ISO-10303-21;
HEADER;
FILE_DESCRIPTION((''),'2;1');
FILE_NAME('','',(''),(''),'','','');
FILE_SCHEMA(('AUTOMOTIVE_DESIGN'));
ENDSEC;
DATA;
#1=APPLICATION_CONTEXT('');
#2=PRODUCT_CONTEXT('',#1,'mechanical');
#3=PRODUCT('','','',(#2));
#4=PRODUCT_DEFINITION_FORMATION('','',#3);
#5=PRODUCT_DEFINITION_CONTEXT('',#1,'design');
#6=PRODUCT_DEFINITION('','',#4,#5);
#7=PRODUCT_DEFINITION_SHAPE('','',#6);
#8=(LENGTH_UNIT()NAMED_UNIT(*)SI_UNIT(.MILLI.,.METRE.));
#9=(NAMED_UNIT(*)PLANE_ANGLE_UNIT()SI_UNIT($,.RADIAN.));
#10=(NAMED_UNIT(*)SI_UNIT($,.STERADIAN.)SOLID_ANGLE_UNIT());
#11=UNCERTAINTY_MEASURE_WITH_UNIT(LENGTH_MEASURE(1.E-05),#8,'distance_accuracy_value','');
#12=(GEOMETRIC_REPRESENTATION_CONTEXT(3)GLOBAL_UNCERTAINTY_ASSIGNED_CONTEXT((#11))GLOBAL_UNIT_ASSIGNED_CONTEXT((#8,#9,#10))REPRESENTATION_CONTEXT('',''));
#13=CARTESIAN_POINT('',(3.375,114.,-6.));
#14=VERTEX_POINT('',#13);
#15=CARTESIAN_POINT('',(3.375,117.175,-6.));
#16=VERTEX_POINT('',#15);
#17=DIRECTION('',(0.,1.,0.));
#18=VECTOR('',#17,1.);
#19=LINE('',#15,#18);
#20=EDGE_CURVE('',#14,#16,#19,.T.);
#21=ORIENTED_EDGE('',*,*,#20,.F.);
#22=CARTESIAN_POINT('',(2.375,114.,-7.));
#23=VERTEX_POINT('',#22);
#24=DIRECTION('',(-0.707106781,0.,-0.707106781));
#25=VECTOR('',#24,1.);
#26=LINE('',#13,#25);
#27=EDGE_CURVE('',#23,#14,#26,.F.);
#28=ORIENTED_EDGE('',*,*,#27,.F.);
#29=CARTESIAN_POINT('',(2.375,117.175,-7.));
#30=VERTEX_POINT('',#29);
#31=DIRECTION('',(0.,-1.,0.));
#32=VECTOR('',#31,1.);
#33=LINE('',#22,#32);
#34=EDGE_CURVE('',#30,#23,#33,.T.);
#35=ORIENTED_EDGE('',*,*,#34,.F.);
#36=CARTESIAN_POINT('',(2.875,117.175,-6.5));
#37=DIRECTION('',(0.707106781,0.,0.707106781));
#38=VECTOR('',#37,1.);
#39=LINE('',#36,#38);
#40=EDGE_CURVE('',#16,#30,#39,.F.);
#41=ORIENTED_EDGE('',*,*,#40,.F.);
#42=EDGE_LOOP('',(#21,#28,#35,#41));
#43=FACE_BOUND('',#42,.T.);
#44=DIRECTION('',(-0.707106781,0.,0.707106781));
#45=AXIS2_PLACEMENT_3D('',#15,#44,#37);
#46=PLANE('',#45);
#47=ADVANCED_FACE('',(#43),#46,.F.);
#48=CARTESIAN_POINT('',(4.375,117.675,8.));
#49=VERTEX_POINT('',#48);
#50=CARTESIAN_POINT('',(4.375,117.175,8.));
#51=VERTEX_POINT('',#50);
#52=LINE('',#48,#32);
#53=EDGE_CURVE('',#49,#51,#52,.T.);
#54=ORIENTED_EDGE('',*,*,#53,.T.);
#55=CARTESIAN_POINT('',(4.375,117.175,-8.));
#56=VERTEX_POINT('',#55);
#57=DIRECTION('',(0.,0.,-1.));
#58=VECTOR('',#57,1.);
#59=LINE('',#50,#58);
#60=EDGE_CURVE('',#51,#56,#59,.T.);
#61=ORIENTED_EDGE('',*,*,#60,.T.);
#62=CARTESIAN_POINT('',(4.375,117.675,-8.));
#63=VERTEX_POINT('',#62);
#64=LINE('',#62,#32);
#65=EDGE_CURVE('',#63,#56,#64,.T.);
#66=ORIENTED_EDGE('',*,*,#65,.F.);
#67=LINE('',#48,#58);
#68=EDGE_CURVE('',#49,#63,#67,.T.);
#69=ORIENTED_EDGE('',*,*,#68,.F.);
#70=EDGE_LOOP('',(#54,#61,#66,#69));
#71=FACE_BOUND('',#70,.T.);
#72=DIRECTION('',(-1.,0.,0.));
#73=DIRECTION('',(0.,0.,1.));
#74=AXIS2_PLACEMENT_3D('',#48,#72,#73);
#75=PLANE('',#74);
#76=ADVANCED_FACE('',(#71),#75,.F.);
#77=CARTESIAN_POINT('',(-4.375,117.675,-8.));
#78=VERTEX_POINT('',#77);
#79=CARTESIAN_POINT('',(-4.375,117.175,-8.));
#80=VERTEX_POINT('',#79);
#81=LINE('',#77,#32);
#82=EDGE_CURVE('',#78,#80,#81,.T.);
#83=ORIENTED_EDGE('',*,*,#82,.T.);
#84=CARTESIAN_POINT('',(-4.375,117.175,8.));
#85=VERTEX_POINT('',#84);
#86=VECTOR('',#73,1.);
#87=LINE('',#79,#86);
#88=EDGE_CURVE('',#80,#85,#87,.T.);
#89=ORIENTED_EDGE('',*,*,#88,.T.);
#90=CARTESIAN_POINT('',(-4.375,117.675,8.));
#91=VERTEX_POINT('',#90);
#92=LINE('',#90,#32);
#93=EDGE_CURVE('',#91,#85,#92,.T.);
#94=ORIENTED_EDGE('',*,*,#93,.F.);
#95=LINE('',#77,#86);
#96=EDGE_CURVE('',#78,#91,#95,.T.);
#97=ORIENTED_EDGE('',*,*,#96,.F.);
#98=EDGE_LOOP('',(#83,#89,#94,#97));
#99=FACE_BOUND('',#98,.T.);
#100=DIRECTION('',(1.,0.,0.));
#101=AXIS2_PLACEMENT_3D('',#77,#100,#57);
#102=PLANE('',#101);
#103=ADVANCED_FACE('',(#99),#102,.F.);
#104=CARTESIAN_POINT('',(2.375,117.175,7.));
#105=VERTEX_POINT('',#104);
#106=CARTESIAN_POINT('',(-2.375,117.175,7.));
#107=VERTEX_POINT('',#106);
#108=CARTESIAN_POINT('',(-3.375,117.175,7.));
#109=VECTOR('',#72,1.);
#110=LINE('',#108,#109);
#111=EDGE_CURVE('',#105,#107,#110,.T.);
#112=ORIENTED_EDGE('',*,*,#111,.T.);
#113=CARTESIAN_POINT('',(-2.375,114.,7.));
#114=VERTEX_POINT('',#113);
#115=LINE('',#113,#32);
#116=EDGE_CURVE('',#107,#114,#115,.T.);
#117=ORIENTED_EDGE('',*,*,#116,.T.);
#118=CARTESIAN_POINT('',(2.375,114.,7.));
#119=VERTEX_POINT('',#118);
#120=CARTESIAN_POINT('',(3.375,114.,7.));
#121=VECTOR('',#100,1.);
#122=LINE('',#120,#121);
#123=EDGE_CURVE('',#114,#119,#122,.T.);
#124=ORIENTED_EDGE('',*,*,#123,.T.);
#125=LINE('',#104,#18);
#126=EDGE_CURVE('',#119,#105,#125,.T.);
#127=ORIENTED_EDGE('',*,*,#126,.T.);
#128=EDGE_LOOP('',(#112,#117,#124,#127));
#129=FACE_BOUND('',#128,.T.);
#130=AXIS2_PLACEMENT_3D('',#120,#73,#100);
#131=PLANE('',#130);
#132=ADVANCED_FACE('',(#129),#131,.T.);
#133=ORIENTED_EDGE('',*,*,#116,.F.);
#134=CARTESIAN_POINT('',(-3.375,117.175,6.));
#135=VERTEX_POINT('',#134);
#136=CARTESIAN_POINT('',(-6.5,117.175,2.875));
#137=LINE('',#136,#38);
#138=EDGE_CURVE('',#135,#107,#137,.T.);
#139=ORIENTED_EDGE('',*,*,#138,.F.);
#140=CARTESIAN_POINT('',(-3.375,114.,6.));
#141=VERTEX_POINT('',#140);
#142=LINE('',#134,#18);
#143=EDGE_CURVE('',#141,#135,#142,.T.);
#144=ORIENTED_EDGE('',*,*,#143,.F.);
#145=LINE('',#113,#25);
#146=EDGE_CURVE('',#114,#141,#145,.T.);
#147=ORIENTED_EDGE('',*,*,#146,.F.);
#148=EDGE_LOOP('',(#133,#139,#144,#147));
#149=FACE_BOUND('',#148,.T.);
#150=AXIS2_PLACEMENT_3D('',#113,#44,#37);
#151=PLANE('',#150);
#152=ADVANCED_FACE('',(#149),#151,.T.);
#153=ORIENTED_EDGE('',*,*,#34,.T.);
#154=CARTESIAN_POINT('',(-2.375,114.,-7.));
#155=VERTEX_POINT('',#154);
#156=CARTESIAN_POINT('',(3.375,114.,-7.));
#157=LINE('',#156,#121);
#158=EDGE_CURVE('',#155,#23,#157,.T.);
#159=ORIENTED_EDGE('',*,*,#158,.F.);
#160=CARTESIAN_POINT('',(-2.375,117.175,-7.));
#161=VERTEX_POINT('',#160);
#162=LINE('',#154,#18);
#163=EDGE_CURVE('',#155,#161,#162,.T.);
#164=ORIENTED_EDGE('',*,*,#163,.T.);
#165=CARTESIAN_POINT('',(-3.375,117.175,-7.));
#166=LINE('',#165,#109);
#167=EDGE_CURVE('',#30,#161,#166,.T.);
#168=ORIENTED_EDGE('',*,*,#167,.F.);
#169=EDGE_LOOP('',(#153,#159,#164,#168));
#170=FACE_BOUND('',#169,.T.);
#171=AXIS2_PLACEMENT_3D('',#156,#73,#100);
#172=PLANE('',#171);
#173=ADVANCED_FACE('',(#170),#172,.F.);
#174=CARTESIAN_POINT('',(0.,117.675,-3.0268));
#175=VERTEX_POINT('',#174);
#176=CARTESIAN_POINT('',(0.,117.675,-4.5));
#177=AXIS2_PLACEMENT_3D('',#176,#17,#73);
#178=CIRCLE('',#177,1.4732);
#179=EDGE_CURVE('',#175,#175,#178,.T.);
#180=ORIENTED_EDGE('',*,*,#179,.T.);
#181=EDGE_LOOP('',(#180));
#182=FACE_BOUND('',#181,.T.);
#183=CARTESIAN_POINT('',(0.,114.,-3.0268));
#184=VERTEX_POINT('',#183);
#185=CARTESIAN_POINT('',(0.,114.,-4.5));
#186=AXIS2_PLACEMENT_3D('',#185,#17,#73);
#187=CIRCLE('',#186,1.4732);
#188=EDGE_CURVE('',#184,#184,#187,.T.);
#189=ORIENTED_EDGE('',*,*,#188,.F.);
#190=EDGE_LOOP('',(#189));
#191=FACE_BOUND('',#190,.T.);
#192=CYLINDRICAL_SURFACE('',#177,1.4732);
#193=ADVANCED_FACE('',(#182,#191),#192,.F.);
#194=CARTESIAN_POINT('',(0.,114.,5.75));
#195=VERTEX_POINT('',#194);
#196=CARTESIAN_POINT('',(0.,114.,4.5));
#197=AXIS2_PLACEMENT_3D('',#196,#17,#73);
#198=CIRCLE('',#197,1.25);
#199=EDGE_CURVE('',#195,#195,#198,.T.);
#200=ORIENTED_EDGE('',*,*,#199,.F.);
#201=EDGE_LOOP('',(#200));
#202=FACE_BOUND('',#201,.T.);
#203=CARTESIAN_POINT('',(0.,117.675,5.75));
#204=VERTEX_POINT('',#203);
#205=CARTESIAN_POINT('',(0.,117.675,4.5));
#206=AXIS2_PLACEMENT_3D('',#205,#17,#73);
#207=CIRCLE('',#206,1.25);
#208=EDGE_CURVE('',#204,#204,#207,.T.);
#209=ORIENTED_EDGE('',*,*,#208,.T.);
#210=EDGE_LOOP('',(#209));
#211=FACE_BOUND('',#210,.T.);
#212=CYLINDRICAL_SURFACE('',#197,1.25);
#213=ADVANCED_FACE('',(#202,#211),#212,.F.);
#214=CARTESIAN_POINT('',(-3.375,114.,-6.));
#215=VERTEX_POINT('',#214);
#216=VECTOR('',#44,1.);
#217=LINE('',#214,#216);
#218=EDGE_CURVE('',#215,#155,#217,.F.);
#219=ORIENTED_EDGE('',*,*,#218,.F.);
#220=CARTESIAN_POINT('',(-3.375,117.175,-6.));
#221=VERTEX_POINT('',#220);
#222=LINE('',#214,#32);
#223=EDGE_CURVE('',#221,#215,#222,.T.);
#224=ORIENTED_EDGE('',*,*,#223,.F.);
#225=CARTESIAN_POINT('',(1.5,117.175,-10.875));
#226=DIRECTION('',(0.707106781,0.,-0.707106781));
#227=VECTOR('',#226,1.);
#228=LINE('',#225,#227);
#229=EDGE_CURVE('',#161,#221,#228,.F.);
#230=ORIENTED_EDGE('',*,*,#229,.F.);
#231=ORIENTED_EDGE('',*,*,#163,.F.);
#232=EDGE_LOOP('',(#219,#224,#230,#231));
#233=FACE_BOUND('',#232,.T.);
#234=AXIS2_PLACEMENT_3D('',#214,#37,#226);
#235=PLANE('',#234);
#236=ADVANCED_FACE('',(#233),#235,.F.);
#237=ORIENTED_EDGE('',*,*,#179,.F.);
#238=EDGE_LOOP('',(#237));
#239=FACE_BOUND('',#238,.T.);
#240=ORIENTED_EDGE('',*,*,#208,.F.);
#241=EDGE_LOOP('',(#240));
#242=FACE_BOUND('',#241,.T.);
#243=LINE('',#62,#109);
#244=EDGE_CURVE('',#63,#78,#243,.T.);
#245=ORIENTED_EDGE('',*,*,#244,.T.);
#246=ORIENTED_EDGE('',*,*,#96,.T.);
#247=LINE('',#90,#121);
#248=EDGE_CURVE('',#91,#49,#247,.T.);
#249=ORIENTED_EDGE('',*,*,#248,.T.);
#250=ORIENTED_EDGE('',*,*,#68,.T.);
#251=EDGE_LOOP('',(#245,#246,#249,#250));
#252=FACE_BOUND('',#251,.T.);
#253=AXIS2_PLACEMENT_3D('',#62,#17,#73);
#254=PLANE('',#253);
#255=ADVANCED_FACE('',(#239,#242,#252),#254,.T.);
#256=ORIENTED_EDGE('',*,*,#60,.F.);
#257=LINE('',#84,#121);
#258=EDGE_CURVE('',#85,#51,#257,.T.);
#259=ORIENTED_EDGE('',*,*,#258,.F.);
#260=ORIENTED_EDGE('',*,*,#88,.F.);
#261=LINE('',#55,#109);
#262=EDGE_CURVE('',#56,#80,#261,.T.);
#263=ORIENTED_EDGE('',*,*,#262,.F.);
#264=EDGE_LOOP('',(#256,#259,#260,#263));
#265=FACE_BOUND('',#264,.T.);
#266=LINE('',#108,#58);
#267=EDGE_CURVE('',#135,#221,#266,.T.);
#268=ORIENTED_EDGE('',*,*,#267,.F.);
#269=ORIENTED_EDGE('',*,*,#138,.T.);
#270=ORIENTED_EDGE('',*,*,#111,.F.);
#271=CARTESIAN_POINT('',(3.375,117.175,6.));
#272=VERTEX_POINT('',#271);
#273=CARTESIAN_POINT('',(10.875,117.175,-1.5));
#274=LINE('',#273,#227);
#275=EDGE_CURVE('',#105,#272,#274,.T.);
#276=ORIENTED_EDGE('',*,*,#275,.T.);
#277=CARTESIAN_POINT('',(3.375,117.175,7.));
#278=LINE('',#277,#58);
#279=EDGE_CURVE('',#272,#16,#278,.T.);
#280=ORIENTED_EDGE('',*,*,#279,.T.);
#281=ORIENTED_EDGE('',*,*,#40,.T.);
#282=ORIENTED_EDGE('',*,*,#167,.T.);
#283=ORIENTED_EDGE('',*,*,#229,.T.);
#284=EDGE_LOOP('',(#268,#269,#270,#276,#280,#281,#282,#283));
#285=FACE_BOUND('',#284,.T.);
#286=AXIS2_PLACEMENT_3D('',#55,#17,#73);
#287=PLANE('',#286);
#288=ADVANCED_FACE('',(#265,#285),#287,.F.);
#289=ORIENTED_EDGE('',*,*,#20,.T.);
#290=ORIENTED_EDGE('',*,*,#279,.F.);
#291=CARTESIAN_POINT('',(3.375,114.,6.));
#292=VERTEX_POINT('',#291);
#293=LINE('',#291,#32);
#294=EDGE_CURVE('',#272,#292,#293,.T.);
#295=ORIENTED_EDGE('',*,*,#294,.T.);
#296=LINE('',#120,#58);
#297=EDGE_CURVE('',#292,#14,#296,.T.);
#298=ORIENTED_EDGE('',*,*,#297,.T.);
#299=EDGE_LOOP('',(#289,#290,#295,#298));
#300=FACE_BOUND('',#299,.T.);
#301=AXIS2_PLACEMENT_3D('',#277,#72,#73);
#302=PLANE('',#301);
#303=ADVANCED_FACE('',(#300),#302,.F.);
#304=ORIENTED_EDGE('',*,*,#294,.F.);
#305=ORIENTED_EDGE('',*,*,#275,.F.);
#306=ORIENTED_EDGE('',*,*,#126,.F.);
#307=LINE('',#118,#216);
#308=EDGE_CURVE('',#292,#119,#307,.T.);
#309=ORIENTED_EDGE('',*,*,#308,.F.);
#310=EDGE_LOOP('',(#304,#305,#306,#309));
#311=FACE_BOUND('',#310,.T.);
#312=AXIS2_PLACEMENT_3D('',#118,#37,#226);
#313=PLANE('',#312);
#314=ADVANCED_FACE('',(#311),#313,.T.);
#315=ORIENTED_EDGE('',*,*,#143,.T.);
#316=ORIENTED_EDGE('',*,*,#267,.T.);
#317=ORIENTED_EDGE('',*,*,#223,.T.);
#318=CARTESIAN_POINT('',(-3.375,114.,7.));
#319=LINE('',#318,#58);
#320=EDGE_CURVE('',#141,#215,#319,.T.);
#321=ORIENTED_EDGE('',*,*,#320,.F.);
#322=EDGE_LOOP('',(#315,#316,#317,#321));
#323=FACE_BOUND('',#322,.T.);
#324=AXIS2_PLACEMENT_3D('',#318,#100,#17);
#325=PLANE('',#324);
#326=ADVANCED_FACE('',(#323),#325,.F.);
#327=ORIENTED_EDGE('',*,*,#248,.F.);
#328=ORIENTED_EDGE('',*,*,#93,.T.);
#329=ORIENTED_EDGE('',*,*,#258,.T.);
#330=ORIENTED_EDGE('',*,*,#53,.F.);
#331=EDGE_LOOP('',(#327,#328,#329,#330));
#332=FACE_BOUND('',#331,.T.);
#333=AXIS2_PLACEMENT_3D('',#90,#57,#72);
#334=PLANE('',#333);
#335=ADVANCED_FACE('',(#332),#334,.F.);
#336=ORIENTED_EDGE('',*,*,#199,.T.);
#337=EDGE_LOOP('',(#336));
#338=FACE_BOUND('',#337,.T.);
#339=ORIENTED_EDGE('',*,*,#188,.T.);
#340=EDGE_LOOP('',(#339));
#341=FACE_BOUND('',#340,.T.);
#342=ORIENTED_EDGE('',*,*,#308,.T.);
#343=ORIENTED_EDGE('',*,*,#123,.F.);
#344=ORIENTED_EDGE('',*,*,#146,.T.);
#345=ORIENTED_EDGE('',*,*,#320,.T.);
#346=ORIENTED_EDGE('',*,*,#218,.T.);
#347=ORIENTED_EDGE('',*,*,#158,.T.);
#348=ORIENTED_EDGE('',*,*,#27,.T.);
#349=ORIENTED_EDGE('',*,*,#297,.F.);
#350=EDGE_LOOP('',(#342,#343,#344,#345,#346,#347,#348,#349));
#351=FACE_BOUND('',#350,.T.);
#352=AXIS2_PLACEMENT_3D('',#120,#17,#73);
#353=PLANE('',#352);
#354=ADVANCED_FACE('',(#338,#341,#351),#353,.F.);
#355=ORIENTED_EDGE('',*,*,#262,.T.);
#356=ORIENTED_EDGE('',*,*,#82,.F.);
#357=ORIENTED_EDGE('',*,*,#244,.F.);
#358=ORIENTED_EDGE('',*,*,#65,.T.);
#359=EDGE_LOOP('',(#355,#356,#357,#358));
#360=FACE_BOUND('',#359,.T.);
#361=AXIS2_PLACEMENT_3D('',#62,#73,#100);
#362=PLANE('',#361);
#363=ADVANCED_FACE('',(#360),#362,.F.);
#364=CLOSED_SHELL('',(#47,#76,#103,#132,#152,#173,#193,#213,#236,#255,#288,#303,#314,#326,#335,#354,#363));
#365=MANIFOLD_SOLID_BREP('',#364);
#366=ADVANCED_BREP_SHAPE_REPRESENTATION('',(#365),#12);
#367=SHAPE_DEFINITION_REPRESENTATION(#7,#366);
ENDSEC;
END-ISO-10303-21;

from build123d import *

# Parameters (mm, degrees)
SKETCH1_W             = 6.75
SKETCH1_H             = 3.175
EXTRUDE1_DEPTH        = 7
SKETCH6_W             = 8.75
SKETCH6_H             = 16
EXTRUDE2_DEPTH        = 0.5
F_4_CLEARANCE_HOLE1_D = 2.9464
SKETCH3_R             = 1.25
CUT_EXTRUDE1_DEPTH    = 4.675
CHAMFER1_SIZE         = 1


with BuildPart() as part:
    # Sketch1 → Extrude1 (new body, symmetric)
    with BuildSketch(Plane.XY):
        with Locations((0, 115.5875)):
            Rectangle(SKETCH1_W, SKETCH1_H)
    extrude(amount=EXTRUDE1_DEPTH, both=True)

    # Sketch6 → Extrude2 (add)
    with BuildSketch(Plane(origin=(0, 117.175, 0), x_dir=(1, 0, 0), z_dir=(0, 1, 0))):
        Rectangle(SKETCH6_W, SKETCH6_H)
    extrude(amount=EXTRUDE2_DEPTH)

    # 4 Clearance Hole1 (through all)
    with Locations(Plane(origin=(-0.355703292, 117.675, 3.885176073), x_dir=(-1, 0, 0), z_dir=(0, 1, 0))):
        with Locations((-0.355703292, -8.385176073)):
            Hole(F_4_CLEARANCE_HOLE1_D / 2)

    # Sketch3 → Cut-Extrude1 (cut, through all)
    with BuildSketch(Plane(origin=(0, 117.675, 0), x_dir=(1, 0, 0), z_dir=(0, 1, 0))):
        with Locations(Location((0, -4.5, 0), (0, 0, 270))):  # turned: the seam where the file's is
            Circle(SKETCH3_R)
    extrude(amount=-CUT_EXTRUDE1_DEPTH, mode=Mode.SUBTRACT)

    # Chamfer1
    chamfer1_edges = [part.edges().sort_by_distance(p)[0] for p in [
        (-3.375, 115.5875, 7),
        (-3.375, 115.5875, -7),
        (3.375, 115.5875, -7),
        (3.375, 115.5875, 7),
    ]]
    chamfer(chamfer1_edges, length=CHAMFER1_SIZE)


solid = part.part
